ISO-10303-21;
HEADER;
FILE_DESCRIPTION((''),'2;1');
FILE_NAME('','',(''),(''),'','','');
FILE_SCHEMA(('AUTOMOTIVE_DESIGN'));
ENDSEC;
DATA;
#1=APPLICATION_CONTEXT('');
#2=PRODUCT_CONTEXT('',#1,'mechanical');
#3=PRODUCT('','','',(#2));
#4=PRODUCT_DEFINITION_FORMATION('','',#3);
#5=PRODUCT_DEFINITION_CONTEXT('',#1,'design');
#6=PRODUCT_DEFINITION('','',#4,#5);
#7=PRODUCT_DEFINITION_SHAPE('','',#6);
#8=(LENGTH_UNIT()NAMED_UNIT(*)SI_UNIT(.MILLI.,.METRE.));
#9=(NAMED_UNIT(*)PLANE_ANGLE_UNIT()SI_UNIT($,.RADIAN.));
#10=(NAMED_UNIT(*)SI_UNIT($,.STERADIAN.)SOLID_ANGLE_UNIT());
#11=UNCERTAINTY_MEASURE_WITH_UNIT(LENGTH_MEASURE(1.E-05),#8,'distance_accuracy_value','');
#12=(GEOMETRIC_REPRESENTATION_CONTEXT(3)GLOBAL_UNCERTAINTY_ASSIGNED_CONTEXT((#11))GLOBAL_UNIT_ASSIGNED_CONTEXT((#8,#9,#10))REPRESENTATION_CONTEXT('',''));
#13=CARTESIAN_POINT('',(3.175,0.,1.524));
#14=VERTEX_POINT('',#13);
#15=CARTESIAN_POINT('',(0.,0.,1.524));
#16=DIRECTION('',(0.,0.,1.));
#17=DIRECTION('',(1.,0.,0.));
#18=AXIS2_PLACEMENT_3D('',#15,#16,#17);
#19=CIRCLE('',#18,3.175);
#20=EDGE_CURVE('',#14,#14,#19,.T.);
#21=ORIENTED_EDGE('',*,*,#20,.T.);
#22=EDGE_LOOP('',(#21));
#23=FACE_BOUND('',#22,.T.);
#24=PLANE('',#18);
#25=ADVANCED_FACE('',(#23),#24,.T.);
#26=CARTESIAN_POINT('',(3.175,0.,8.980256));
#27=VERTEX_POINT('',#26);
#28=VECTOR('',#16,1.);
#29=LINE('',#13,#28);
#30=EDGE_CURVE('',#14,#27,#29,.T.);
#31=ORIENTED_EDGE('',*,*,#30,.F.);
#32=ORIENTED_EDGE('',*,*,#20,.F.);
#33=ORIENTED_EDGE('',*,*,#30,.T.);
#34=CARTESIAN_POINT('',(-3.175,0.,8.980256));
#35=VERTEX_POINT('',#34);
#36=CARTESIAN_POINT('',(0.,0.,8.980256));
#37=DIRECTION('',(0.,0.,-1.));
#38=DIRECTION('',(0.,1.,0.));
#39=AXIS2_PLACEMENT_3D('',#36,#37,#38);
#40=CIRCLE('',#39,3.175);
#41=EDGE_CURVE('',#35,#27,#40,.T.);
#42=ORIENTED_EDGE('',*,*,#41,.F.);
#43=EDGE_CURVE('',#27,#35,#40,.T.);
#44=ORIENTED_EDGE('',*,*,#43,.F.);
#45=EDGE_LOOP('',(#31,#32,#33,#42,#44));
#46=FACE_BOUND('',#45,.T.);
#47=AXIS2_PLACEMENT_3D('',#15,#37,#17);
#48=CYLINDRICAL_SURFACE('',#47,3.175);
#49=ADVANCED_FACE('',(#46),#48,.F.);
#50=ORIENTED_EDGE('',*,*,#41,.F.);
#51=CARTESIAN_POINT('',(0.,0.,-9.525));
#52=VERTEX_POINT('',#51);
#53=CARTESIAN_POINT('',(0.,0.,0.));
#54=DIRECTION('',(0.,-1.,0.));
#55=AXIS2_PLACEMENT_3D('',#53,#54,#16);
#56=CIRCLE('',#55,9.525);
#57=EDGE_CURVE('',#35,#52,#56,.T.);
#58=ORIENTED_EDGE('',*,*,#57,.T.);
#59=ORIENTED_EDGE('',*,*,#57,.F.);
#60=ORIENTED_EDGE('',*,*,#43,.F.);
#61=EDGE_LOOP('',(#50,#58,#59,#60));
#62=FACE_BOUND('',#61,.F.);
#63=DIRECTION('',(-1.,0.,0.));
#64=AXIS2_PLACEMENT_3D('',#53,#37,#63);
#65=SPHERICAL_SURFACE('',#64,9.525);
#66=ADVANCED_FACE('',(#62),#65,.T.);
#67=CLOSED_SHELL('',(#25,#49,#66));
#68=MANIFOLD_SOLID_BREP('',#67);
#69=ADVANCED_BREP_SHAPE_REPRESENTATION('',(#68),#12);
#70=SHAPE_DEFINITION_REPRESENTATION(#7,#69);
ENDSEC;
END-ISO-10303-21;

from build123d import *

# Parameters (mm, degrees)
F4_R     = 3.175
F5_DEPTH = 10.668
F6_DEPTH = 6.858


with BuildPart() as f2:
    # F0 (on Front) → F2 (revolve)
    with BuildSketch(Plane.XZ):
        with BuildLine():
            Line((0, -9.525), (0, 9.525))
            ThreePointArc((0, 9.525), (-9.525, 0), (0, -9.525))
        make_face()
    revolve(axis=Axis((0, 0, 0), (0, 0, 1)))

    # F4 (on offset) → F5 (cut)
    with BuildSketch(Plane.XY.offset(1.524)):
        Circle(F4_R)
    extrude(amount=F5_DEPTH, mode=Mode.SUBTRACT)

    # F4 (on offset) → F6 (cut)
    with BuildSketch(Plane.XY.offset(1.524)):
        Circle(F4_R)
    extrude(amount=F6_DEPTH, mode=Mode.SUBTRACT)


solid = f2.part
